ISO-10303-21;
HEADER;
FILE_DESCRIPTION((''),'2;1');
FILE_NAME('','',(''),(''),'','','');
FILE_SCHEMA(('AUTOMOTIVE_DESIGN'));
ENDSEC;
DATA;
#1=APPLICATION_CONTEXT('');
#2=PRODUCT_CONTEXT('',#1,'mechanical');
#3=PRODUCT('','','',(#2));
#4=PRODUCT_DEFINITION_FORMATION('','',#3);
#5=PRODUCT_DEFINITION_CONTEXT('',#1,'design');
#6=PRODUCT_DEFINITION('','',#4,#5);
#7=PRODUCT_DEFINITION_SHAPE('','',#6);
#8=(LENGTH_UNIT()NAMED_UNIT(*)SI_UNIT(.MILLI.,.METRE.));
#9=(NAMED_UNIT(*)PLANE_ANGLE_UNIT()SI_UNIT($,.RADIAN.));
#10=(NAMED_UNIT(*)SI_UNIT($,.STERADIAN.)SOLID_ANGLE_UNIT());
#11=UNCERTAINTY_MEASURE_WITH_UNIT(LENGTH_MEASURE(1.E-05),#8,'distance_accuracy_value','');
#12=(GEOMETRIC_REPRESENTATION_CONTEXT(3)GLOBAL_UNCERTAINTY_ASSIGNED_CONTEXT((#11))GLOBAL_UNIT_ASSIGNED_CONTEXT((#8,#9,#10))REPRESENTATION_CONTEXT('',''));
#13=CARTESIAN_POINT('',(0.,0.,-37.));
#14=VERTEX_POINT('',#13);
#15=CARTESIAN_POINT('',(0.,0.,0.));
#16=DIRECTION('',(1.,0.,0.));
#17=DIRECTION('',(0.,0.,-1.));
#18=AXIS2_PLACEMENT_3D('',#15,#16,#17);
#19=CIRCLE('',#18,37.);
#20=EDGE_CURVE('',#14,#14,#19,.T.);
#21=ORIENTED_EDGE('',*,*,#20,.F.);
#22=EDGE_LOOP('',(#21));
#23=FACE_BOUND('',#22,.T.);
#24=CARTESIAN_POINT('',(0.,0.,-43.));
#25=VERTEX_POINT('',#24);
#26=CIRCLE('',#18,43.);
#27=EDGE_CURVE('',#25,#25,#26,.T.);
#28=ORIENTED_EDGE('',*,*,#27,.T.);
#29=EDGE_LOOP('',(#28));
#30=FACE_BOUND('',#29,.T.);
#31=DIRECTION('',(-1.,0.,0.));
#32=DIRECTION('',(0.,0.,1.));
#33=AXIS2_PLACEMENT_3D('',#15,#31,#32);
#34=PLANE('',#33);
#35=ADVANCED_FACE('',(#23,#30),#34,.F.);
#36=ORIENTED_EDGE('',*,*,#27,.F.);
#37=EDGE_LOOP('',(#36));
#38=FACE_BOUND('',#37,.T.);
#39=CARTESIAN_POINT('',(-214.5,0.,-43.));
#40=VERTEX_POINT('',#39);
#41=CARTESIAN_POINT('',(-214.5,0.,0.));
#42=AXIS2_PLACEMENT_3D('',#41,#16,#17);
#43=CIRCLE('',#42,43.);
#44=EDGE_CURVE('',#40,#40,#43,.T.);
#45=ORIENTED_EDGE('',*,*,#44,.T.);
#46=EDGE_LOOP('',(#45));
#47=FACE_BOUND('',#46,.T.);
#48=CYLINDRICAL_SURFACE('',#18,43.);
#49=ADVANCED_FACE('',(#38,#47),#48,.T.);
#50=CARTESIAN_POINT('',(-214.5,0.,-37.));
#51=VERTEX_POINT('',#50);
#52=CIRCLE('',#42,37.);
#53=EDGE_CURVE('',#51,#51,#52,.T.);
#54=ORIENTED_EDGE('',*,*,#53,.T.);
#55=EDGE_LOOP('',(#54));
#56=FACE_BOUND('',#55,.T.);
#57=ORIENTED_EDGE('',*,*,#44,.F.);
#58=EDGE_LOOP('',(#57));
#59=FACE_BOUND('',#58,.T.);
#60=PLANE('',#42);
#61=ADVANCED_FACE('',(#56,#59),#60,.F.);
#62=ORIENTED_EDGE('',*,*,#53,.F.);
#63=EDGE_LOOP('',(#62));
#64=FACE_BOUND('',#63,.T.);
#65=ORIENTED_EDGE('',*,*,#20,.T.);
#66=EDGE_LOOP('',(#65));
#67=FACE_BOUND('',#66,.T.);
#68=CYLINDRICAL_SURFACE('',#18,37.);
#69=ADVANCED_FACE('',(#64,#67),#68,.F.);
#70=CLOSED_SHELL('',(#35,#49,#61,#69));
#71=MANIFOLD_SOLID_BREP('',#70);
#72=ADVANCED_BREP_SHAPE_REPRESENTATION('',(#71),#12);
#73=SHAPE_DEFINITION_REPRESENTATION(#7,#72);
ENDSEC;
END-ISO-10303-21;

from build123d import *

# Parameters (mm, degrees)
SKETCH1_W = 214.5
SKETCH1_H = 6


with BuildPart() as part:
    # Sketch1 → Revolve1 (revolve)
    with BuildSketch(Plane(origin=(0, 0, 0), x_dir=(1, 0, 0), z_dir=(0, 1, 0))):
        with Locations((-107.25, 40)):
            Rectangle(SKETCH1_W, SKETCH1_H)
    revolve(axis=Axis((0, 0, 0), (-1, 0, 0)))


solid = part.part
